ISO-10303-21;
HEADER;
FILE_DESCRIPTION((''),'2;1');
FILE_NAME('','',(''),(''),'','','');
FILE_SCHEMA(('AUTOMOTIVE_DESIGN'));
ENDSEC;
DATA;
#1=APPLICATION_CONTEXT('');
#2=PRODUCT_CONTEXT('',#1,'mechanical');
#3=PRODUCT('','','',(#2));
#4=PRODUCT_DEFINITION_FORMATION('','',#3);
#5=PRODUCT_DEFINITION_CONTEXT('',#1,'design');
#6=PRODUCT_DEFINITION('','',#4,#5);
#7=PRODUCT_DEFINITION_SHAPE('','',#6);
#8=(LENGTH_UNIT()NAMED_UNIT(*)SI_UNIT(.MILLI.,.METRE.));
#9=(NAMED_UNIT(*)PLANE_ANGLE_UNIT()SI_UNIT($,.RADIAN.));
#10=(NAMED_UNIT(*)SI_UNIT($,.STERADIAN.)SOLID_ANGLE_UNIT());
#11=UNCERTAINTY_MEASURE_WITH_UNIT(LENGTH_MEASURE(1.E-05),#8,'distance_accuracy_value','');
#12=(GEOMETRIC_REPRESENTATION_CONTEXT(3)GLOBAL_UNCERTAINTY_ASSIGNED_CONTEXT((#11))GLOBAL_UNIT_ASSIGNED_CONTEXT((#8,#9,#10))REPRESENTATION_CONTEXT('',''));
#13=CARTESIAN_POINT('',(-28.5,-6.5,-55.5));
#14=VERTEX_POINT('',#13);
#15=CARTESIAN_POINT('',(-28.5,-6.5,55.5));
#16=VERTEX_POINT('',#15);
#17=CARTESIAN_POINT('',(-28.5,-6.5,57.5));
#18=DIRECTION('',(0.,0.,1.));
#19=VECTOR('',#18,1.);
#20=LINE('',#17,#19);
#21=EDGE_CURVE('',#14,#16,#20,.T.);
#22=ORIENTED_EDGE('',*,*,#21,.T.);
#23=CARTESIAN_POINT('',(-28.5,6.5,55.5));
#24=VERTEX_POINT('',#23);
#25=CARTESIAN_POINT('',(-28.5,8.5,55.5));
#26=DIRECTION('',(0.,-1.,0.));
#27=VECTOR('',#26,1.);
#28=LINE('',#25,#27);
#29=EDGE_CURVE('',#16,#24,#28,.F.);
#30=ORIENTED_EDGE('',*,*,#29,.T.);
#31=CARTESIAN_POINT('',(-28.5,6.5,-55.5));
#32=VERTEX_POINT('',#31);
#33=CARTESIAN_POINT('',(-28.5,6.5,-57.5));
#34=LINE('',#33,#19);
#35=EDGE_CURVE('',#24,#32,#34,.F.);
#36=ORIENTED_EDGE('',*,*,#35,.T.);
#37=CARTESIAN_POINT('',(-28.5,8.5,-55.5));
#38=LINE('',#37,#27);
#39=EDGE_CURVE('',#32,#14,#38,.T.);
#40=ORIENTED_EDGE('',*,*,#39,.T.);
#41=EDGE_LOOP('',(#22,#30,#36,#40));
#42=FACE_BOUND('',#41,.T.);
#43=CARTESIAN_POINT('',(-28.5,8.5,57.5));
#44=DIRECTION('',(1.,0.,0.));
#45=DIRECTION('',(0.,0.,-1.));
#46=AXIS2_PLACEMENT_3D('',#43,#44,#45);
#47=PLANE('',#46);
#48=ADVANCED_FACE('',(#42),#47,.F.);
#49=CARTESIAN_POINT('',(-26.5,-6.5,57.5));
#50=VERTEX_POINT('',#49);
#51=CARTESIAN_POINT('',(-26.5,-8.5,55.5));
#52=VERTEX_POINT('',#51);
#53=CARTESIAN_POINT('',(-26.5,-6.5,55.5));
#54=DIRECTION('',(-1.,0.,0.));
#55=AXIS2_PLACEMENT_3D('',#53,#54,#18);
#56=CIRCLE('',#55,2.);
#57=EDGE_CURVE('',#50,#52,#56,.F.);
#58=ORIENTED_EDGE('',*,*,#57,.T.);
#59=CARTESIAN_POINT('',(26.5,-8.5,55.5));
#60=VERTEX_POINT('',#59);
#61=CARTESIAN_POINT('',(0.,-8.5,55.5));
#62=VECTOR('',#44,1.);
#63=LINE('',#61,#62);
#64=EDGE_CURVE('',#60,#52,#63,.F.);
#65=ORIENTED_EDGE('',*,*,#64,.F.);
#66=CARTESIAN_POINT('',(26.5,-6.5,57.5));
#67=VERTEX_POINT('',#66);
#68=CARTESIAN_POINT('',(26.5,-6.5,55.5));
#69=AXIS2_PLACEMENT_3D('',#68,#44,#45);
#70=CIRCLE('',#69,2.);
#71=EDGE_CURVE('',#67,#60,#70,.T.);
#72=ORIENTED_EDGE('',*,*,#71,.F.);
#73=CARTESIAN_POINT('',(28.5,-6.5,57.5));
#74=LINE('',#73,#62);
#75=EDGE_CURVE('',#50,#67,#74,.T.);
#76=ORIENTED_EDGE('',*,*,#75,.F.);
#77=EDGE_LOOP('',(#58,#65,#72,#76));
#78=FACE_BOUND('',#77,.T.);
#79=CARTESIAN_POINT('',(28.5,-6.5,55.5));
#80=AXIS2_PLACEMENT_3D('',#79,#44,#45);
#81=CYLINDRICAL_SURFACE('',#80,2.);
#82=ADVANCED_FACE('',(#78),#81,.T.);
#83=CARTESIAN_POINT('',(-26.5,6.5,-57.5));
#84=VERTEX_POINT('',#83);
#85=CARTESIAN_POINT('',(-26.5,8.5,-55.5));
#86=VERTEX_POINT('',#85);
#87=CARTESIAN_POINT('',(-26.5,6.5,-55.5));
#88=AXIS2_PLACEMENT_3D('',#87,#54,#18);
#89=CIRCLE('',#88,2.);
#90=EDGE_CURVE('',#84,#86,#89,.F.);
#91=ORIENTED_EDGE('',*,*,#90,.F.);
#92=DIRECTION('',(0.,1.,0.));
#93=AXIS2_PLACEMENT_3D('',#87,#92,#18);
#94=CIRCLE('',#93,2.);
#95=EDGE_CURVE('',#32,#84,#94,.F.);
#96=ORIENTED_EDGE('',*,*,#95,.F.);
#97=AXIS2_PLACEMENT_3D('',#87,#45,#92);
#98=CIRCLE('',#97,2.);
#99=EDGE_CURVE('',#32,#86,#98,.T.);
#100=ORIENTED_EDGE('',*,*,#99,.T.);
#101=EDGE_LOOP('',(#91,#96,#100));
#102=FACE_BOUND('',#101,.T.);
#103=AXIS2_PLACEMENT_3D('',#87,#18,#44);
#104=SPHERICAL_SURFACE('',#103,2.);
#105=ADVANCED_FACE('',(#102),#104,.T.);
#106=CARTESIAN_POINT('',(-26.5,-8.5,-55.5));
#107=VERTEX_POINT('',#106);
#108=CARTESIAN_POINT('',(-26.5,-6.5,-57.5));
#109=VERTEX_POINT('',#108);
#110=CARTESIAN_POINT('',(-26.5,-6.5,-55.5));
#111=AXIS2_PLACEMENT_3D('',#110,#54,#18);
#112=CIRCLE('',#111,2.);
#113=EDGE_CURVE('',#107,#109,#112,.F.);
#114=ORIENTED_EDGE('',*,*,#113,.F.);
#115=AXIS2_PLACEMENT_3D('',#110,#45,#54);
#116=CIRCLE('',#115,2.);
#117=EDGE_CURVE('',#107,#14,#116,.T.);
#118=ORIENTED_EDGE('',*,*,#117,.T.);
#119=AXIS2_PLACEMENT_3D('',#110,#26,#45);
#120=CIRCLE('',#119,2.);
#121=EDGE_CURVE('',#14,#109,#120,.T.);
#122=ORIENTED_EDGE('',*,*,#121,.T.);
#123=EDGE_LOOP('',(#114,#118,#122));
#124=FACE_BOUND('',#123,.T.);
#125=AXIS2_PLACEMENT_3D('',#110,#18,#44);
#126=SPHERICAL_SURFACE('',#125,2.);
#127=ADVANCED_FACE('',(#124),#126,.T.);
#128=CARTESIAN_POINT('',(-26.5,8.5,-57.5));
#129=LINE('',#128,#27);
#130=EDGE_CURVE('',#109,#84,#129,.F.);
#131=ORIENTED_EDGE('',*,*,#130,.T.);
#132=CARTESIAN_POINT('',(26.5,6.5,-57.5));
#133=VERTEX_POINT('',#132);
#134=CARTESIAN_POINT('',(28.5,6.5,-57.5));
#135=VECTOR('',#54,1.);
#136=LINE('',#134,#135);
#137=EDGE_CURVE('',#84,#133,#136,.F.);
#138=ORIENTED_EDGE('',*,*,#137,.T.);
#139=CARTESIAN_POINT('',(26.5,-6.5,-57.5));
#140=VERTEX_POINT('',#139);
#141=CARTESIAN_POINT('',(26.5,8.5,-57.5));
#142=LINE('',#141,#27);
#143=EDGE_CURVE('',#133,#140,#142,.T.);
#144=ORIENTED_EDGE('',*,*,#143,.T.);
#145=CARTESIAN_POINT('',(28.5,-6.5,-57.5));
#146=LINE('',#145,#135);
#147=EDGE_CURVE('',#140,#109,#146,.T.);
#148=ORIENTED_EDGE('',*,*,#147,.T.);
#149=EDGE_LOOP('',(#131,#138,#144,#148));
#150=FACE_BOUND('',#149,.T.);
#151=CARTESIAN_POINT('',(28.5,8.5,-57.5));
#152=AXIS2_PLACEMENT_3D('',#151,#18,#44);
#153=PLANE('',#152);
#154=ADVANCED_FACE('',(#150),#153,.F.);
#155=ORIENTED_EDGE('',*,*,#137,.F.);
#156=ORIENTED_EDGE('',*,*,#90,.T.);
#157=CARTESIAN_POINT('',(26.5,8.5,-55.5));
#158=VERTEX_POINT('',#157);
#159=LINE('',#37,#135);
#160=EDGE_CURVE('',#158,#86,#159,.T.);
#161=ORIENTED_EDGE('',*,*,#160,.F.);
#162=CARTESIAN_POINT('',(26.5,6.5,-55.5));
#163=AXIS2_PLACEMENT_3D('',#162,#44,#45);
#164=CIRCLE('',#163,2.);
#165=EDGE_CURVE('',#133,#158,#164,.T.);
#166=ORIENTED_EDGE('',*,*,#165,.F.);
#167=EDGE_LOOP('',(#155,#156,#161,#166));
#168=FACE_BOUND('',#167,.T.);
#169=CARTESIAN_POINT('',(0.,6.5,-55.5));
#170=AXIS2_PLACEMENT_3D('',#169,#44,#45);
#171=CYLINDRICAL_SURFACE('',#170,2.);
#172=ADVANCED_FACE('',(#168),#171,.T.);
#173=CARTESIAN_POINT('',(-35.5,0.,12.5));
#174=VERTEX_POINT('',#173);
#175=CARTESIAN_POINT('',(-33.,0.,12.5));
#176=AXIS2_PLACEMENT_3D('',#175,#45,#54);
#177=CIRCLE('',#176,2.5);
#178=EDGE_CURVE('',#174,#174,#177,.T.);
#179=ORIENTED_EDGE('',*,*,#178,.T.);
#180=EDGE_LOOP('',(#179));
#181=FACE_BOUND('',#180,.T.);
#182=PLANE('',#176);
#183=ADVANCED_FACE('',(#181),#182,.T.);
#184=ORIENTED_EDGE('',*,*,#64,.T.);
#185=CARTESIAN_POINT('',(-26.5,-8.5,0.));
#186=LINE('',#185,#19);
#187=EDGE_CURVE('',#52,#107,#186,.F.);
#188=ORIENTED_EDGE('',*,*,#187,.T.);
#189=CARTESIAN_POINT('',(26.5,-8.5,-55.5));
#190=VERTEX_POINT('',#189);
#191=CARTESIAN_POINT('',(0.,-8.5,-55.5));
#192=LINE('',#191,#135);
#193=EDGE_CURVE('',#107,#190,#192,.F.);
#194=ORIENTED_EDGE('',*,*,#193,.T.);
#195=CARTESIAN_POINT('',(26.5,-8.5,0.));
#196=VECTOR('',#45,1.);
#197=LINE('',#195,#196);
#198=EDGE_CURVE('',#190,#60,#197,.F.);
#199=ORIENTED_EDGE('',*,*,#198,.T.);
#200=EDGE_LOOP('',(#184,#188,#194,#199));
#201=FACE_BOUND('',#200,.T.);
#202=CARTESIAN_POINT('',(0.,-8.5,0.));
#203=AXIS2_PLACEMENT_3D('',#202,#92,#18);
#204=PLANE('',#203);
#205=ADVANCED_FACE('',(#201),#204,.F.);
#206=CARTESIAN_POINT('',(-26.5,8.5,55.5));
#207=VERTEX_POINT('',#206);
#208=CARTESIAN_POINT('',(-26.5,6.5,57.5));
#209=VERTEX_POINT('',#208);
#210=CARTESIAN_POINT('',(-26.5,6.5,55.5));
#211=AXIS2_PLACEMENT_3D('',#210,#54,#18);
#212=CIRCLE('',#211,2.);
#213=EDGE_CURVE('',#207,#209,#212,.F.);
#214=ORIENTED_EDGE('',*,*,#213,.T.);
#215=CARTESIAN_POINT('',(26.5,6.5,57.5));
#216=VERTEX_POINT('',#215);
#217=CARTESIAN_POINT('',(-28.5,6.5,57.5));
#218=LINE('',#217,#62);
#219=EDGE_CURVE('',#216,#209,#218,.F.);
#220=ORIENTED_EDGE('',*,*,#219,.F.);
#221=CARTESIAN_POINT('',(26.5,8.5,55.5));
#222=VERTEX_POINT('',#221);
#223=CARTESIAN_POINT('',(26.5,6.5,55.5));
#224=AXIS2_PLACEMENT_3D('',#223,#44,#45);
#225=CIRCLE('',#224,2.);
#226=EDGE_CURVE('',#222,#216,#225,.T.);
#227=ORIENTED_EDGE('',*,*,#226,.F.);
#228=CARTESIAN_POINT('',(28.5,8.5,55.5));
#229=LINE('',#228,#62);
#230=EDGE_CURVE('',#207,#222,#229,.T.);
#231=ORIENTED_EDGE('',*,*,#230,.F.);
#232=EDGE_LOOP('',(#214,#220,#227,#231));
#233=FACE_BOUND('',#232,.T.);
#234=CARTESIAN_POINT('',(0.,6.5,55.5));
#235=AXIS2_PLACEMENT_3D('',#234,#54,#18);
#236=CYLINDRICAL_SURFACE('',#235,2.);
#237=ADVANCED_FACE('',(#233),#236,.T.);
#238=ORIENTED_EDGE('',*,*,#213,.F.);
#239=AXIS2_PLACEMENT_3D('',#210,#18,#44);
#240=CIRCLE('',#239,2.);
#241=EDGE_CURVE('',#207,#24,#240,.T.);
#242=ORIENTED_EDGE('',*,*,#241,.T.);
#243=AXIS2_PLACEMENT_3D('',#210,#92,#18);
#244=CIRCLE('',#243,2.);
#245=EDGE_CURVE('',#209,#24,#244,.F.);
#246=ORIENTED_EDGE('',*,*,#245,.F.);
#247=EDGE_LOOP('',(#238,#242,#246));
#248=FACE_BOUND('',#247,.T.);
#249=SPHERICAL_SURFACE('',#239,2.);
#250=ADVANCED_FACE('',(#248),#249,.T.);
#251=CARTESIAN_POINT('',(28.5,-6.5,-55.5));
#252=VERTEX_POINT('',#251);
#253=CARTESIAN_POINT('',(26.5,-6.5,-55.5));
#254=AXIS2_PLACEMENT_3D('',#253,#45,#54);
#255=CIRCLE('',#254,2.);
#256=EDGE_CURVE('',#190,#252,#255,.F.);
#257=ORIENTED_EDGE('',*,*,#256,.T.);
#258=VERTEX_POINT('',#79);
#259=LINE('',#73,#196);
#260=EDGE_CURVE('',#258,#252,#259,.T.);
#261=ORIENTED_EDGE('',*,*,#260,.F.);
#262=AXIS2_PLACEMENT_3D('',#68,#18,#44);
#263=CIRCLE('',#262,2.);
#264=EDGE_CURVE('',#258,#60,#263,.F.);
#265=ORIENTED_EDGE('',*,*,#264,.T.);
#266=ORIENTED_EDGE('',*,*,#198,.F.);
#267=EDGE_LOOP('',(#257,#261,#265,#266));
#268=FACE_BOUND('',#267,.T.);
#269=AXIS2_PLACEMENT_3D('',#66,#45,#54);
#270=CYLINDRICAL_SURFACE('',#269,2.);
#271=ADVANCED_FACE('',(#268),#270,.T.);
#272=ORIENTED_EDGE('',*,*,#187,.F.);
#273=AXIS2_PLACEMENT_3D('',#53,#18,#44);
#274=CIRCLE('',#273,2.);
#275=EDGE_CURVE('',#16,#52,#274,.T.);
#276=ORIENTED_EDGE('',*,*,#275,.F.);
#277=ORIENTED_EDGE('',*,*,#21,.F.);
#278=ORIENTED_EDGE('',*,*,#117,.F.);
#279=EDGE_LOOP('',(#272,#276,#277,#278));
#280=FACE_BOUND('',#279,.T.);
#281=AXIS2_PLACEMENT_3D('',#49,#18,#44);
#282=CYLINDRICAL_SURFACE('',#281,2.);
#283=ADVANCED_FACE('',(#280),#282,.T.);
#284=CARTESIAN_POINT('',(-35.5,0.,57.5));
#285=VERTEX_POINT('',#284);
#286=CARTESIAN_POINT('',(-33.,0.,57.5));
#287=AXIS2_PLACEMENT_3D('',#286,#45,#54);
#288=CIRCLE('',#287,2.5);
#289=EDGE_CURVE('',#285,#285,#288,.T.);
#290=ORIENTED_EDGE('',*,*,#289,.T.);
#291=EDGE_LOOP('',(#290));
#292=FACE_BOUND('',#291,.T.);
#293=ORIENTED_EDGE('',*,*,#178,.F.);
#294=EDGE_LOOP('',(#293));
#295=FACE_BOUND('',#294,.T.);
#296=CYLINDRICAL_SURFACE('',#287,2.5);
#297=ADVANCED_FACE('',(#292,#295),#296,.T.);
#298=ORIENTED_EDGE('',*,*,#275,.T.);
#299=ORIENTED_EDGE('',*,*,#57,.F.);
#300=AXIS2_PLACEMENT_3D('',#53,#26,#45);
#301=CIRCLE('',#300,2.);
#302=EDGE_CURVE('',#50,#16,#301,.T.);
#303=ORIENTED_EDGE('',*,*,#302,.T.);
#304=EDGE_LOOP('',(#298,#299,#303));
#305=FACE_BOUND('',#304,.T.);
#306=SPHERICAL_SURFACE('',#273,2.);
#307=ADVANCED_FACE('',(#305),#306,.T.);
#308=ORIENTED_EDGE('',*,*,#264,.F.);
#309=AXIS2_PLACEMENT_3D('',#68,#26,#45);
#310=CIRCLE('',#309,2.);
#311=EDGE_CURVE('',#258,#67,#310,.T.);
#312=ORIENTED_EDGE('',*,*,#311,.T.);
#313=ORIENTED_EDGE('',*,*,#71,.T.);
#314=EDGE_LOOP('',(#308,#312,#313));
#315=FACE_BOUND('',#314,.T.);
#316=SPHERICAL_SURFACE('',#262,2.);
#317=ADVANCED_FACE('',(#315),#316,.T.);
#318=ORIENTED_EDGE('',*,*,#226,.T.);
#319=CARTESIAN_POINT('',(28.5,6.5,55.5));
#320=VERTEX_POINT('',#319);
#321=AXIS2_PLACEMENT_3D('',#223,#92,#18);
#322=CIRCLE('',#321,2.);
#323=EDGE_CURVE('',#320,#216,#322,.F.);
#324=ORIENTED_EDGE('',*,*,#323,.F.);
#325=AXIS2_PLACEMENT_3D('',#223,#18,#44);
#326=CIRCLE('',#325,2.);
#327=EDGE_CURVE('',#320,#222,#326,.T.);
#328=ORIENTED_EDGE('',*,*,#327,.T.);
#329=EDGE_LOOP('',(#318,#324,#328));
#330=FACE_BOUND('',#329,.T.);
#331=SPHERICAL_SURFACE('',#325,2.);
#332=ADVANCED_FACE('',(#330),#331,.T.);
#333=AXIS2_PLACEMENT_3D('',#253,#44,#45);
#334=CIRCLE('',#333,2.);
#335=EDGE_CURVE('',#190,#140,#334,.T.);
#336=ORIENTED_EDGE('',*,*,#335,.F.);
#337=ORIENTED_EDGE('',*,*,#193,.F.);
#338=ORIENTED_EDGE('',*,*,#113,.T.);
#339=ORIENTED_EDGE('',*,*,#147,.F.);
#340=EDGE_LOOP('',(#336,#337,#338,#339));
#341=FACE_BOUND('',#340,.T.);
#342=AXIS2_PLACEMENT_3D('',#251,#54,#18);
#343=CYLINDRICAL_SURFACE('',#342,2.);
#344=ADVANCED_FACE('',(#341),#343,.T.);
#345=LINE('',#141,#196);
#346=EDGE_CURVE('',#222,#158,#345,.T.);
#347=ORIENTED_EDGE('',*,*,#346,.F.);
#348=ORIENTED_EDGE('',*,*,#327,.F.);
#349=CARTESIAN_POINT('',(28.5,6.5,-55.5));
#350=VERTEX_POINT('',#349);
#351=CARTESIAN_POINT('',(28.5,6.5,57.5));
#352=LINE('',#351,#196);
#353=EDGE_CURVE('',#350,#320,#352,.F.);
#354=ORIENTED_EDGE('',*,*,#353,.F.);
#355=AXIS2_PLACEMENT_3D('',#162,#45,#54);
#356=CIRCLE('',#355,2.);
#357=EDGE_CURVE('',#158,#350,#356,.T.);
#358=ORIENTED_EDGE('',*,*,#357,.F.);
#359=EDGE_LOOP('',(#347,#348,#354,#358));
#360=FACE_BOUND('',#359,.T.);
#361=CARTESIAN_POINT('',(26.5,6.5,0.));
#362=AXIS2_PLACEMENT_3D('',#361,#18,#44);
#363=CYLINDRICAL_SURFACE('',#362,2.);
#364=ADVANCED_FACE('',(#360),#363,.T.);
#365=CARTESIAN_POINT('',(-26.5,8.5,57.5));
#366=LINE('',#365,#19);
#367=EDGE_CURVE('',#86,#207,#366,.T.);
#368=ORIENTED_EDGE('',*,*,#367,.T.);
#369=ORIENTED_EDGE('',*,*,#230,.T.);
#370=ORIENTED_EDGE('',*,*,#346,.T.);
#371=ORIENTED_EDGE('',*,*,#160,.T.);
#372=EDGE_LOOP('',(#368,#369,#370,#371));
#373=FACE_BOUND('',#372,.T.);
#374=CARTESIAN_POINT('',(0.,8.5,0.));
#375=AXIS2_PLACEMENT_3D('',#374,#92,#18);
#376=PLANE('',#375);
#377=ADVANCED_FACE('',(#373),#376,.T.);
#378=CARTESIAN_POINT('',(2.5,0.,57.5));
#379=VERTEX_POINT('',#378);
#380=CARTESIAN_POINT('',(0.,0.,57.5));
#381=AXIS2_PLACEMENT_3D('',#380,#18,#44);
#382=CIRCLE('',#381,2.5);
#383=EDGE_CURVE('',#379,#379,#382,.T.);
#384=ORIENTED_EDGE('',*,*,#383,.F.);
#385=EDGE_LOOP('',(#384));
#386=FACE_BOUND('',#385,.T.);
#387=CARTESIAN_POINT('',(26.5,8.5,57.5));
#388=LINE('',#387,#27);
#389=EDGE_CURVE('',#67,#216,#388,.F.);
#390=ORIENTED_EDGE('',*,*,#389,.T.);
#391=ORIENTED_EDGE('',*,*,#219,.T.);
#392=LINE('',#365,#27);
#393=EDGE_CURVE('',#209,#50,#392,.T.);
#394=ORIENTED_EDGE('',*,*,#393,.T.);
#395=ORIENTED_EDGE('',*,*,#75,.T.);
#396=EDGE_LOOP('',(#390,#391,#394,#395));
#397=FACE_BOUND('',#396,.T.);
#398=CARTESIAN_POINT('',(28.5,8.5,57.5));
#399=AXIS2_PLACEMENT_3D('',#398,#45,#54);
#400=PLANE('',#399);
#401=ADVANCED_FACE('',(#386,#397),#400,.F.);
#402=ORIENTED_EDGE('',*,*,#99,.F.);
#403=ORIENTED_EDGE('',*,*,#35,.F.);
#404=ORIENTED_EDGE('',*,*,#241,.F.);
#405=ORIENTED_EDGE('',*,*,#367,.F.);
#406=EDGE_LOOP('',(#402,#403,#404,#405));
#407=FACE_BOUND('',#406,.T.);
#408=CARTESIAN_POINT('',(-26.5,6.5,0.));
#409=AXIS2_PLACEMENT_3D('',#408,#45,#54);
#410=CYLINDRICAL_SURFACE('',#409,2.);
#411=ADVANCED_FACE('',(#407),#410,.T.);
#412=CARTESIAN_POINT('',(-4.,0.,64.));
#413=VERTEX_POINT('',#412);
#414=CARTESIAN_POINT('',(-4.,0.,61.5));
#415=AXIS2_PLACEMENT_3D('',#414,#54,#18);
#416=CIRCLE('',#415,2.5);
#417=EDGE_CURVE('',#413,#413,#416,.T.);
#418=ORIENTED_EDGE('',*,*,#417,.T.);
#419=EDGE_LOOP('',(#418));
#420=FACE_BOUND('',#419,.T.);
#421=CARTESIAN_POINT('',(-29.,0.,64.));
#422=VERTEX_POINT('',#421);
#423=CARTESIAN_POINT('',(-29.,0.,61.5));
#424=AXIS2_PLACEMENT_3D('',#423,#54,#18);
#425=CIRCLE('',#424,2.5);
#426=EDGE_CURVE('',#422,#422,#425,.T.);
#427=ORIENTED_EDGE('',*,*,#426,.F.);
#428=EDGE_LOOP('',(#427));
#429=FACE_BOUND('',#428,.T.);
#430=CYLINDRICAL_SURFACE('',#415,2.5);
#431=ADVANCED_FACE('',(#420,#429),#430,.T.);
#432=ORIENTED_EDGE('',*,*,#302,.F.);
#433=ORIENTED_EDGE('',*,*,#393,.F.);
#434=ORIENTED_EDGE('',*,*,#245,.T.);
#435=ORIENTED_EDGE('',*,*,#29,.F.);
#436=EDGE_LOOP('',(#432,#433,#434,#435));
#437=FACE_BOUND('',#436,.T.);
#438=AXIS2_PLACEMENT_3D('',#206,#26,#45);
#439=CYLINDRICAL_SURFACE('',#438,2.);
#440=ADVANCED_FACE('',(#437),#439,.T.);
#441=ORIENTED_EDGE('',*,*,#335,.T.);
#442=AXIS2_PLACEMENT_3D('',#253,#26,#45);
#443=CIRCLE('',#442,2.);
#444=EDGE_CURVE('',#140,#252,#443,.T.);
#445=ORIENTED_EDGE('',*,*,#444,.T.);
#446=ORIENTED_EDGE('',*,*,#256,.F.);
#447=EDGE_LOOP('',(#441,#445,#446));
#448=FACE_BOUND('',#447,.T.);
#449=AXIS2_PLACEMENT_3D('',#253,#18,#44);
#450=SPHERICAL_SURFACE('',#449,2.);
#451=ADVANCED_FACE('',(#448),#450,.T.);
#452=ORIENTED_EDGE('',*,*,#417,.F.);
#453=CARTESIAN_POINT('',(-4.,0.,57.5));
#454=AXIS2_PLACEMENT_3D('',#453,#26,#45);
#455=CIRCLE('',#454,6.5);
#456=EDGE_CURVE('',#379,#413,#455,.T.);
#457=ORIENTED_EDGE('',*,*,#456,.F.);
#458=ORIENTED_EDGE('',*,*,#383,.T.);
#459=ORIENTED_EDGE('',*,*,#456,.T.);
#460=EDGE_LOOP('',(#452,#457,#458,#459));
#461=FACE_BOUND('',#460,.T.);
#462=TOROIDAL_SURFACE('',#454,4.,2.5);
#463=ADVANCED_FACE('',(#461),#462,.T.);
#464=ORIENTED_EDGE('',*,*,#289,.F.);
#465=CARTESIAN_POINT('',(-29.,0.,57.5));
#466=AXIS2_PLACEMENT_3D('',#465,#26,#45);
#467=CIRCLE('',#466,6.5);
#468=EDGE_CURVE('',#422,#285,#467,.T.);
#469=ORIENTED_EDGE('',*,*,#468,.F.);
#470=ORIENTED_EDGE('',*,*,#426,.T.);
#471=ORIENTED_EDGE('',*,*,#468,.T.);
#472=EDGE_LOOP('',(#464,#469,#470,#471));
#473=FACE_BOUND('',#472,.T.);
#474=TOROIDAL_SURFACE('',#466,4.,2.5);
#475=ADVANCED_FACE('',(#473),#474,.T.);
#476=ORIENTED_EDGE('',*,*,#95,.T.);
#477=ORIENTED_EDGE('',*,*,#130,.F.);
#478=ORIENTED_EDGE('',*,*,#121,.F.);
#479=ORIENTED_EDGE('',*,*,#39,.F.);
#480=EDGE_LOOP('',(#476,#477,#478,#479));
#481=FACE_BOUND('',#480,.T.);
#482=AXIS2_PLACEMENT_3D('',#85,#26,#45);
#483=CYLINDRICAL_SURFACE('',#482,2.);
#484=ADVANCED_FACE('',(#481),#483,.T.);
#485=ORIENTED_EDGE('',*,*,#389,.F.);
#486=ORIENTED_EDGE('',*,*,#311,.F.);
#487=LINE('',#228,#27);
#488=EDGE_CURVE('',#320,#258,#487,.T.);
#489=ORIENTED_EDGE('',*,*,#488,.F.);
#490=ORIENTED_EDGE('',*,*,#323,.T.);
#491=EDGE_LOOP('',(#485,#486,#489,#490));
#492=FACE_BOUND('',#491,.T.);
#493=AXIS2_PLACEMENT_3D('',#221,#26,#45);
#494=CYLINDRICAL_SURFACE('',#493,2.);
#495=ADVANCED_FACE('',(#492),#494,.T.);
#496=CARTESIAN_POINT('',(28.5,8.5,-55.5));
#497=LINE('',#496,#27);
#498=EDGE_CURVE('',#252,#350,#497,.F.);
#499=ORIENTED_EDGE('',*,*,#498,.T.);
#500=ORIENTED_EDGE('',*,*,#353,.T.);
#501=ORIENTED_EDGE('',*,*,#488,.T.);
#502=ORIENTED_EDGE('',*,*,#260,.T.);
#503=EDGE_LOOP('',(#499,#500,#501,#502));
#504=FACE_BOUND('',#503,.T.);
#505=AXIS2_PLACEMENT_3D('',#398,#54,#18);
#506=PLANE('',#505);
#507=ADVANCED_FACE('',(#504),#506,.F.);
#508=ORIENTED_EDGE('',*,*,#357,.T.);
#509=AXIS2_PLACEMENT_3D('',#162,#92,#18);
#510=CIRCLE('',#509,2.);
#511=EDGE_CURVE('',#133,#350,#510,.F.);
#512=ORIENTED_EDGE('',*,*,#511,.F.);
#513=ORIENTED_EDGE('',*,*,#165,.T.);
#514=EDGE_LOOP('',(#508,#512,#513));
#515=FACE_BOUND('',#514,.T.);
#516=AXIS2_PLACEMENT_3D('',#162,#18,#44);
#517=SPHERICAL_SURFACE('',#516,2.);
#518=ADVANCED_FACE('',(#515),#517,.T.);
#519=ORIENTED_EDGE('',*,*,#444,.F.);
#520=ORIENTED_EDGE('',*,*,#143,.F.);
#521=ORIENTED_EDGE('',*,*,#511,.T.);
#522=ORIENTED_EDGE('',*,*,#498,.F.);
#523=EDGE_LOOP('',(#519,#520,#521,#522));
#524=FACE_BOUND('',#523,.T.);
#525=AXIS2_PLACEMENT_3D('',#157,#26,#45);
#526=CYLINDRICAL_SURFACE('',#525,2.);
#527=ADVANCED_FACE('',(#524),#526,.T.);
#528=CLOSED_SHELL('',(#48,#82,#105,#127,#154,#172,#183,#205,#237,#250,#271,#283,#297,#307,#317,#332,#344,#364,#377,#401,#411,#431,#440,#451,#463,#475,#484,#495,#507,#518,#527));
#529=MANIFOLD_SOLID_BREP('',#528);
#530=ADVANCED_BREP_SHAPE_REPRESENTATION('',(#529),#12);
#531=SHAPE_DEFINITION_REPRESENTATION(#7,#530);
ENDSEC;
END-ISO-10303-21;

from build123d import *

# Parameters (mm, degrees)
SKETCH_1_W      = 57
SKETCH_1_H      = 115
EXTRUDE_1_DEPTH = 8.5
FILLET_1_R      = 2
SKETCH_3_R      = 2.5


with BuildPart() as part:
    # 草图1 → 凸台-拉伸1 (new body, symmetric)
    with BuildSketch(Plane(origin=(0, 0, 0), x_dir=(1, 0, 0), z_dir=(0, 1, 0))):
        Rectangle(SKETCH_1_W, SKETCH_1_H)
    extrude(amount=EXTRUDE_1_DEPTH, both=True)

    # 圆角1
    fillet_1_edges = [part.edges().sort_by_distance(p)[0] for p in [
        (28.5, 8.5, 0),
        (0, 8.5, -57.5),
        (-28.5, 8.5, 0),
        (0, -8.5, -57.5),
        (28.5, -8.5, 0),
        (0, -8.5, 57.5),
        (-28.5, -8.5, 0),
        (0, 8.5, 57.5),
        (-28.5, 0, -57.5),
        (28.5, 0, -57.5),
        (28.5, 0, 57.5),
        (-28.5, 0, 57.5),
    ]]
    fillet(fillet_1_edges, radius=FILLET_1_R)

    # 扫描1: sweep along a path in 草图2
    with BuildLine(Plane(origin=(0, 0, 0), x_dir=(1, 0, 0), z_dir=(0, 1, 0))) as sweep_1_path:
        Line((-33, -12.5), (-33, -57.5))
        ThreePointArc((-33, -57.5), (-31.828427125, -60.328427125), (-29, -61.5))
        Line((-29, -61.5), (-4, -61.5))
        ThreePointArc((-4, -61.5), (-1.171572875, -60.328427125), (0, -57.5))
    # 草图3 → 扫描1 (sweep)
    with BuildSketch(Plane.XY.offset(57.5)):
        Circle(SKETCH_3_R)
    sweep(path=sweep_1_path.line)


solid = part.part
